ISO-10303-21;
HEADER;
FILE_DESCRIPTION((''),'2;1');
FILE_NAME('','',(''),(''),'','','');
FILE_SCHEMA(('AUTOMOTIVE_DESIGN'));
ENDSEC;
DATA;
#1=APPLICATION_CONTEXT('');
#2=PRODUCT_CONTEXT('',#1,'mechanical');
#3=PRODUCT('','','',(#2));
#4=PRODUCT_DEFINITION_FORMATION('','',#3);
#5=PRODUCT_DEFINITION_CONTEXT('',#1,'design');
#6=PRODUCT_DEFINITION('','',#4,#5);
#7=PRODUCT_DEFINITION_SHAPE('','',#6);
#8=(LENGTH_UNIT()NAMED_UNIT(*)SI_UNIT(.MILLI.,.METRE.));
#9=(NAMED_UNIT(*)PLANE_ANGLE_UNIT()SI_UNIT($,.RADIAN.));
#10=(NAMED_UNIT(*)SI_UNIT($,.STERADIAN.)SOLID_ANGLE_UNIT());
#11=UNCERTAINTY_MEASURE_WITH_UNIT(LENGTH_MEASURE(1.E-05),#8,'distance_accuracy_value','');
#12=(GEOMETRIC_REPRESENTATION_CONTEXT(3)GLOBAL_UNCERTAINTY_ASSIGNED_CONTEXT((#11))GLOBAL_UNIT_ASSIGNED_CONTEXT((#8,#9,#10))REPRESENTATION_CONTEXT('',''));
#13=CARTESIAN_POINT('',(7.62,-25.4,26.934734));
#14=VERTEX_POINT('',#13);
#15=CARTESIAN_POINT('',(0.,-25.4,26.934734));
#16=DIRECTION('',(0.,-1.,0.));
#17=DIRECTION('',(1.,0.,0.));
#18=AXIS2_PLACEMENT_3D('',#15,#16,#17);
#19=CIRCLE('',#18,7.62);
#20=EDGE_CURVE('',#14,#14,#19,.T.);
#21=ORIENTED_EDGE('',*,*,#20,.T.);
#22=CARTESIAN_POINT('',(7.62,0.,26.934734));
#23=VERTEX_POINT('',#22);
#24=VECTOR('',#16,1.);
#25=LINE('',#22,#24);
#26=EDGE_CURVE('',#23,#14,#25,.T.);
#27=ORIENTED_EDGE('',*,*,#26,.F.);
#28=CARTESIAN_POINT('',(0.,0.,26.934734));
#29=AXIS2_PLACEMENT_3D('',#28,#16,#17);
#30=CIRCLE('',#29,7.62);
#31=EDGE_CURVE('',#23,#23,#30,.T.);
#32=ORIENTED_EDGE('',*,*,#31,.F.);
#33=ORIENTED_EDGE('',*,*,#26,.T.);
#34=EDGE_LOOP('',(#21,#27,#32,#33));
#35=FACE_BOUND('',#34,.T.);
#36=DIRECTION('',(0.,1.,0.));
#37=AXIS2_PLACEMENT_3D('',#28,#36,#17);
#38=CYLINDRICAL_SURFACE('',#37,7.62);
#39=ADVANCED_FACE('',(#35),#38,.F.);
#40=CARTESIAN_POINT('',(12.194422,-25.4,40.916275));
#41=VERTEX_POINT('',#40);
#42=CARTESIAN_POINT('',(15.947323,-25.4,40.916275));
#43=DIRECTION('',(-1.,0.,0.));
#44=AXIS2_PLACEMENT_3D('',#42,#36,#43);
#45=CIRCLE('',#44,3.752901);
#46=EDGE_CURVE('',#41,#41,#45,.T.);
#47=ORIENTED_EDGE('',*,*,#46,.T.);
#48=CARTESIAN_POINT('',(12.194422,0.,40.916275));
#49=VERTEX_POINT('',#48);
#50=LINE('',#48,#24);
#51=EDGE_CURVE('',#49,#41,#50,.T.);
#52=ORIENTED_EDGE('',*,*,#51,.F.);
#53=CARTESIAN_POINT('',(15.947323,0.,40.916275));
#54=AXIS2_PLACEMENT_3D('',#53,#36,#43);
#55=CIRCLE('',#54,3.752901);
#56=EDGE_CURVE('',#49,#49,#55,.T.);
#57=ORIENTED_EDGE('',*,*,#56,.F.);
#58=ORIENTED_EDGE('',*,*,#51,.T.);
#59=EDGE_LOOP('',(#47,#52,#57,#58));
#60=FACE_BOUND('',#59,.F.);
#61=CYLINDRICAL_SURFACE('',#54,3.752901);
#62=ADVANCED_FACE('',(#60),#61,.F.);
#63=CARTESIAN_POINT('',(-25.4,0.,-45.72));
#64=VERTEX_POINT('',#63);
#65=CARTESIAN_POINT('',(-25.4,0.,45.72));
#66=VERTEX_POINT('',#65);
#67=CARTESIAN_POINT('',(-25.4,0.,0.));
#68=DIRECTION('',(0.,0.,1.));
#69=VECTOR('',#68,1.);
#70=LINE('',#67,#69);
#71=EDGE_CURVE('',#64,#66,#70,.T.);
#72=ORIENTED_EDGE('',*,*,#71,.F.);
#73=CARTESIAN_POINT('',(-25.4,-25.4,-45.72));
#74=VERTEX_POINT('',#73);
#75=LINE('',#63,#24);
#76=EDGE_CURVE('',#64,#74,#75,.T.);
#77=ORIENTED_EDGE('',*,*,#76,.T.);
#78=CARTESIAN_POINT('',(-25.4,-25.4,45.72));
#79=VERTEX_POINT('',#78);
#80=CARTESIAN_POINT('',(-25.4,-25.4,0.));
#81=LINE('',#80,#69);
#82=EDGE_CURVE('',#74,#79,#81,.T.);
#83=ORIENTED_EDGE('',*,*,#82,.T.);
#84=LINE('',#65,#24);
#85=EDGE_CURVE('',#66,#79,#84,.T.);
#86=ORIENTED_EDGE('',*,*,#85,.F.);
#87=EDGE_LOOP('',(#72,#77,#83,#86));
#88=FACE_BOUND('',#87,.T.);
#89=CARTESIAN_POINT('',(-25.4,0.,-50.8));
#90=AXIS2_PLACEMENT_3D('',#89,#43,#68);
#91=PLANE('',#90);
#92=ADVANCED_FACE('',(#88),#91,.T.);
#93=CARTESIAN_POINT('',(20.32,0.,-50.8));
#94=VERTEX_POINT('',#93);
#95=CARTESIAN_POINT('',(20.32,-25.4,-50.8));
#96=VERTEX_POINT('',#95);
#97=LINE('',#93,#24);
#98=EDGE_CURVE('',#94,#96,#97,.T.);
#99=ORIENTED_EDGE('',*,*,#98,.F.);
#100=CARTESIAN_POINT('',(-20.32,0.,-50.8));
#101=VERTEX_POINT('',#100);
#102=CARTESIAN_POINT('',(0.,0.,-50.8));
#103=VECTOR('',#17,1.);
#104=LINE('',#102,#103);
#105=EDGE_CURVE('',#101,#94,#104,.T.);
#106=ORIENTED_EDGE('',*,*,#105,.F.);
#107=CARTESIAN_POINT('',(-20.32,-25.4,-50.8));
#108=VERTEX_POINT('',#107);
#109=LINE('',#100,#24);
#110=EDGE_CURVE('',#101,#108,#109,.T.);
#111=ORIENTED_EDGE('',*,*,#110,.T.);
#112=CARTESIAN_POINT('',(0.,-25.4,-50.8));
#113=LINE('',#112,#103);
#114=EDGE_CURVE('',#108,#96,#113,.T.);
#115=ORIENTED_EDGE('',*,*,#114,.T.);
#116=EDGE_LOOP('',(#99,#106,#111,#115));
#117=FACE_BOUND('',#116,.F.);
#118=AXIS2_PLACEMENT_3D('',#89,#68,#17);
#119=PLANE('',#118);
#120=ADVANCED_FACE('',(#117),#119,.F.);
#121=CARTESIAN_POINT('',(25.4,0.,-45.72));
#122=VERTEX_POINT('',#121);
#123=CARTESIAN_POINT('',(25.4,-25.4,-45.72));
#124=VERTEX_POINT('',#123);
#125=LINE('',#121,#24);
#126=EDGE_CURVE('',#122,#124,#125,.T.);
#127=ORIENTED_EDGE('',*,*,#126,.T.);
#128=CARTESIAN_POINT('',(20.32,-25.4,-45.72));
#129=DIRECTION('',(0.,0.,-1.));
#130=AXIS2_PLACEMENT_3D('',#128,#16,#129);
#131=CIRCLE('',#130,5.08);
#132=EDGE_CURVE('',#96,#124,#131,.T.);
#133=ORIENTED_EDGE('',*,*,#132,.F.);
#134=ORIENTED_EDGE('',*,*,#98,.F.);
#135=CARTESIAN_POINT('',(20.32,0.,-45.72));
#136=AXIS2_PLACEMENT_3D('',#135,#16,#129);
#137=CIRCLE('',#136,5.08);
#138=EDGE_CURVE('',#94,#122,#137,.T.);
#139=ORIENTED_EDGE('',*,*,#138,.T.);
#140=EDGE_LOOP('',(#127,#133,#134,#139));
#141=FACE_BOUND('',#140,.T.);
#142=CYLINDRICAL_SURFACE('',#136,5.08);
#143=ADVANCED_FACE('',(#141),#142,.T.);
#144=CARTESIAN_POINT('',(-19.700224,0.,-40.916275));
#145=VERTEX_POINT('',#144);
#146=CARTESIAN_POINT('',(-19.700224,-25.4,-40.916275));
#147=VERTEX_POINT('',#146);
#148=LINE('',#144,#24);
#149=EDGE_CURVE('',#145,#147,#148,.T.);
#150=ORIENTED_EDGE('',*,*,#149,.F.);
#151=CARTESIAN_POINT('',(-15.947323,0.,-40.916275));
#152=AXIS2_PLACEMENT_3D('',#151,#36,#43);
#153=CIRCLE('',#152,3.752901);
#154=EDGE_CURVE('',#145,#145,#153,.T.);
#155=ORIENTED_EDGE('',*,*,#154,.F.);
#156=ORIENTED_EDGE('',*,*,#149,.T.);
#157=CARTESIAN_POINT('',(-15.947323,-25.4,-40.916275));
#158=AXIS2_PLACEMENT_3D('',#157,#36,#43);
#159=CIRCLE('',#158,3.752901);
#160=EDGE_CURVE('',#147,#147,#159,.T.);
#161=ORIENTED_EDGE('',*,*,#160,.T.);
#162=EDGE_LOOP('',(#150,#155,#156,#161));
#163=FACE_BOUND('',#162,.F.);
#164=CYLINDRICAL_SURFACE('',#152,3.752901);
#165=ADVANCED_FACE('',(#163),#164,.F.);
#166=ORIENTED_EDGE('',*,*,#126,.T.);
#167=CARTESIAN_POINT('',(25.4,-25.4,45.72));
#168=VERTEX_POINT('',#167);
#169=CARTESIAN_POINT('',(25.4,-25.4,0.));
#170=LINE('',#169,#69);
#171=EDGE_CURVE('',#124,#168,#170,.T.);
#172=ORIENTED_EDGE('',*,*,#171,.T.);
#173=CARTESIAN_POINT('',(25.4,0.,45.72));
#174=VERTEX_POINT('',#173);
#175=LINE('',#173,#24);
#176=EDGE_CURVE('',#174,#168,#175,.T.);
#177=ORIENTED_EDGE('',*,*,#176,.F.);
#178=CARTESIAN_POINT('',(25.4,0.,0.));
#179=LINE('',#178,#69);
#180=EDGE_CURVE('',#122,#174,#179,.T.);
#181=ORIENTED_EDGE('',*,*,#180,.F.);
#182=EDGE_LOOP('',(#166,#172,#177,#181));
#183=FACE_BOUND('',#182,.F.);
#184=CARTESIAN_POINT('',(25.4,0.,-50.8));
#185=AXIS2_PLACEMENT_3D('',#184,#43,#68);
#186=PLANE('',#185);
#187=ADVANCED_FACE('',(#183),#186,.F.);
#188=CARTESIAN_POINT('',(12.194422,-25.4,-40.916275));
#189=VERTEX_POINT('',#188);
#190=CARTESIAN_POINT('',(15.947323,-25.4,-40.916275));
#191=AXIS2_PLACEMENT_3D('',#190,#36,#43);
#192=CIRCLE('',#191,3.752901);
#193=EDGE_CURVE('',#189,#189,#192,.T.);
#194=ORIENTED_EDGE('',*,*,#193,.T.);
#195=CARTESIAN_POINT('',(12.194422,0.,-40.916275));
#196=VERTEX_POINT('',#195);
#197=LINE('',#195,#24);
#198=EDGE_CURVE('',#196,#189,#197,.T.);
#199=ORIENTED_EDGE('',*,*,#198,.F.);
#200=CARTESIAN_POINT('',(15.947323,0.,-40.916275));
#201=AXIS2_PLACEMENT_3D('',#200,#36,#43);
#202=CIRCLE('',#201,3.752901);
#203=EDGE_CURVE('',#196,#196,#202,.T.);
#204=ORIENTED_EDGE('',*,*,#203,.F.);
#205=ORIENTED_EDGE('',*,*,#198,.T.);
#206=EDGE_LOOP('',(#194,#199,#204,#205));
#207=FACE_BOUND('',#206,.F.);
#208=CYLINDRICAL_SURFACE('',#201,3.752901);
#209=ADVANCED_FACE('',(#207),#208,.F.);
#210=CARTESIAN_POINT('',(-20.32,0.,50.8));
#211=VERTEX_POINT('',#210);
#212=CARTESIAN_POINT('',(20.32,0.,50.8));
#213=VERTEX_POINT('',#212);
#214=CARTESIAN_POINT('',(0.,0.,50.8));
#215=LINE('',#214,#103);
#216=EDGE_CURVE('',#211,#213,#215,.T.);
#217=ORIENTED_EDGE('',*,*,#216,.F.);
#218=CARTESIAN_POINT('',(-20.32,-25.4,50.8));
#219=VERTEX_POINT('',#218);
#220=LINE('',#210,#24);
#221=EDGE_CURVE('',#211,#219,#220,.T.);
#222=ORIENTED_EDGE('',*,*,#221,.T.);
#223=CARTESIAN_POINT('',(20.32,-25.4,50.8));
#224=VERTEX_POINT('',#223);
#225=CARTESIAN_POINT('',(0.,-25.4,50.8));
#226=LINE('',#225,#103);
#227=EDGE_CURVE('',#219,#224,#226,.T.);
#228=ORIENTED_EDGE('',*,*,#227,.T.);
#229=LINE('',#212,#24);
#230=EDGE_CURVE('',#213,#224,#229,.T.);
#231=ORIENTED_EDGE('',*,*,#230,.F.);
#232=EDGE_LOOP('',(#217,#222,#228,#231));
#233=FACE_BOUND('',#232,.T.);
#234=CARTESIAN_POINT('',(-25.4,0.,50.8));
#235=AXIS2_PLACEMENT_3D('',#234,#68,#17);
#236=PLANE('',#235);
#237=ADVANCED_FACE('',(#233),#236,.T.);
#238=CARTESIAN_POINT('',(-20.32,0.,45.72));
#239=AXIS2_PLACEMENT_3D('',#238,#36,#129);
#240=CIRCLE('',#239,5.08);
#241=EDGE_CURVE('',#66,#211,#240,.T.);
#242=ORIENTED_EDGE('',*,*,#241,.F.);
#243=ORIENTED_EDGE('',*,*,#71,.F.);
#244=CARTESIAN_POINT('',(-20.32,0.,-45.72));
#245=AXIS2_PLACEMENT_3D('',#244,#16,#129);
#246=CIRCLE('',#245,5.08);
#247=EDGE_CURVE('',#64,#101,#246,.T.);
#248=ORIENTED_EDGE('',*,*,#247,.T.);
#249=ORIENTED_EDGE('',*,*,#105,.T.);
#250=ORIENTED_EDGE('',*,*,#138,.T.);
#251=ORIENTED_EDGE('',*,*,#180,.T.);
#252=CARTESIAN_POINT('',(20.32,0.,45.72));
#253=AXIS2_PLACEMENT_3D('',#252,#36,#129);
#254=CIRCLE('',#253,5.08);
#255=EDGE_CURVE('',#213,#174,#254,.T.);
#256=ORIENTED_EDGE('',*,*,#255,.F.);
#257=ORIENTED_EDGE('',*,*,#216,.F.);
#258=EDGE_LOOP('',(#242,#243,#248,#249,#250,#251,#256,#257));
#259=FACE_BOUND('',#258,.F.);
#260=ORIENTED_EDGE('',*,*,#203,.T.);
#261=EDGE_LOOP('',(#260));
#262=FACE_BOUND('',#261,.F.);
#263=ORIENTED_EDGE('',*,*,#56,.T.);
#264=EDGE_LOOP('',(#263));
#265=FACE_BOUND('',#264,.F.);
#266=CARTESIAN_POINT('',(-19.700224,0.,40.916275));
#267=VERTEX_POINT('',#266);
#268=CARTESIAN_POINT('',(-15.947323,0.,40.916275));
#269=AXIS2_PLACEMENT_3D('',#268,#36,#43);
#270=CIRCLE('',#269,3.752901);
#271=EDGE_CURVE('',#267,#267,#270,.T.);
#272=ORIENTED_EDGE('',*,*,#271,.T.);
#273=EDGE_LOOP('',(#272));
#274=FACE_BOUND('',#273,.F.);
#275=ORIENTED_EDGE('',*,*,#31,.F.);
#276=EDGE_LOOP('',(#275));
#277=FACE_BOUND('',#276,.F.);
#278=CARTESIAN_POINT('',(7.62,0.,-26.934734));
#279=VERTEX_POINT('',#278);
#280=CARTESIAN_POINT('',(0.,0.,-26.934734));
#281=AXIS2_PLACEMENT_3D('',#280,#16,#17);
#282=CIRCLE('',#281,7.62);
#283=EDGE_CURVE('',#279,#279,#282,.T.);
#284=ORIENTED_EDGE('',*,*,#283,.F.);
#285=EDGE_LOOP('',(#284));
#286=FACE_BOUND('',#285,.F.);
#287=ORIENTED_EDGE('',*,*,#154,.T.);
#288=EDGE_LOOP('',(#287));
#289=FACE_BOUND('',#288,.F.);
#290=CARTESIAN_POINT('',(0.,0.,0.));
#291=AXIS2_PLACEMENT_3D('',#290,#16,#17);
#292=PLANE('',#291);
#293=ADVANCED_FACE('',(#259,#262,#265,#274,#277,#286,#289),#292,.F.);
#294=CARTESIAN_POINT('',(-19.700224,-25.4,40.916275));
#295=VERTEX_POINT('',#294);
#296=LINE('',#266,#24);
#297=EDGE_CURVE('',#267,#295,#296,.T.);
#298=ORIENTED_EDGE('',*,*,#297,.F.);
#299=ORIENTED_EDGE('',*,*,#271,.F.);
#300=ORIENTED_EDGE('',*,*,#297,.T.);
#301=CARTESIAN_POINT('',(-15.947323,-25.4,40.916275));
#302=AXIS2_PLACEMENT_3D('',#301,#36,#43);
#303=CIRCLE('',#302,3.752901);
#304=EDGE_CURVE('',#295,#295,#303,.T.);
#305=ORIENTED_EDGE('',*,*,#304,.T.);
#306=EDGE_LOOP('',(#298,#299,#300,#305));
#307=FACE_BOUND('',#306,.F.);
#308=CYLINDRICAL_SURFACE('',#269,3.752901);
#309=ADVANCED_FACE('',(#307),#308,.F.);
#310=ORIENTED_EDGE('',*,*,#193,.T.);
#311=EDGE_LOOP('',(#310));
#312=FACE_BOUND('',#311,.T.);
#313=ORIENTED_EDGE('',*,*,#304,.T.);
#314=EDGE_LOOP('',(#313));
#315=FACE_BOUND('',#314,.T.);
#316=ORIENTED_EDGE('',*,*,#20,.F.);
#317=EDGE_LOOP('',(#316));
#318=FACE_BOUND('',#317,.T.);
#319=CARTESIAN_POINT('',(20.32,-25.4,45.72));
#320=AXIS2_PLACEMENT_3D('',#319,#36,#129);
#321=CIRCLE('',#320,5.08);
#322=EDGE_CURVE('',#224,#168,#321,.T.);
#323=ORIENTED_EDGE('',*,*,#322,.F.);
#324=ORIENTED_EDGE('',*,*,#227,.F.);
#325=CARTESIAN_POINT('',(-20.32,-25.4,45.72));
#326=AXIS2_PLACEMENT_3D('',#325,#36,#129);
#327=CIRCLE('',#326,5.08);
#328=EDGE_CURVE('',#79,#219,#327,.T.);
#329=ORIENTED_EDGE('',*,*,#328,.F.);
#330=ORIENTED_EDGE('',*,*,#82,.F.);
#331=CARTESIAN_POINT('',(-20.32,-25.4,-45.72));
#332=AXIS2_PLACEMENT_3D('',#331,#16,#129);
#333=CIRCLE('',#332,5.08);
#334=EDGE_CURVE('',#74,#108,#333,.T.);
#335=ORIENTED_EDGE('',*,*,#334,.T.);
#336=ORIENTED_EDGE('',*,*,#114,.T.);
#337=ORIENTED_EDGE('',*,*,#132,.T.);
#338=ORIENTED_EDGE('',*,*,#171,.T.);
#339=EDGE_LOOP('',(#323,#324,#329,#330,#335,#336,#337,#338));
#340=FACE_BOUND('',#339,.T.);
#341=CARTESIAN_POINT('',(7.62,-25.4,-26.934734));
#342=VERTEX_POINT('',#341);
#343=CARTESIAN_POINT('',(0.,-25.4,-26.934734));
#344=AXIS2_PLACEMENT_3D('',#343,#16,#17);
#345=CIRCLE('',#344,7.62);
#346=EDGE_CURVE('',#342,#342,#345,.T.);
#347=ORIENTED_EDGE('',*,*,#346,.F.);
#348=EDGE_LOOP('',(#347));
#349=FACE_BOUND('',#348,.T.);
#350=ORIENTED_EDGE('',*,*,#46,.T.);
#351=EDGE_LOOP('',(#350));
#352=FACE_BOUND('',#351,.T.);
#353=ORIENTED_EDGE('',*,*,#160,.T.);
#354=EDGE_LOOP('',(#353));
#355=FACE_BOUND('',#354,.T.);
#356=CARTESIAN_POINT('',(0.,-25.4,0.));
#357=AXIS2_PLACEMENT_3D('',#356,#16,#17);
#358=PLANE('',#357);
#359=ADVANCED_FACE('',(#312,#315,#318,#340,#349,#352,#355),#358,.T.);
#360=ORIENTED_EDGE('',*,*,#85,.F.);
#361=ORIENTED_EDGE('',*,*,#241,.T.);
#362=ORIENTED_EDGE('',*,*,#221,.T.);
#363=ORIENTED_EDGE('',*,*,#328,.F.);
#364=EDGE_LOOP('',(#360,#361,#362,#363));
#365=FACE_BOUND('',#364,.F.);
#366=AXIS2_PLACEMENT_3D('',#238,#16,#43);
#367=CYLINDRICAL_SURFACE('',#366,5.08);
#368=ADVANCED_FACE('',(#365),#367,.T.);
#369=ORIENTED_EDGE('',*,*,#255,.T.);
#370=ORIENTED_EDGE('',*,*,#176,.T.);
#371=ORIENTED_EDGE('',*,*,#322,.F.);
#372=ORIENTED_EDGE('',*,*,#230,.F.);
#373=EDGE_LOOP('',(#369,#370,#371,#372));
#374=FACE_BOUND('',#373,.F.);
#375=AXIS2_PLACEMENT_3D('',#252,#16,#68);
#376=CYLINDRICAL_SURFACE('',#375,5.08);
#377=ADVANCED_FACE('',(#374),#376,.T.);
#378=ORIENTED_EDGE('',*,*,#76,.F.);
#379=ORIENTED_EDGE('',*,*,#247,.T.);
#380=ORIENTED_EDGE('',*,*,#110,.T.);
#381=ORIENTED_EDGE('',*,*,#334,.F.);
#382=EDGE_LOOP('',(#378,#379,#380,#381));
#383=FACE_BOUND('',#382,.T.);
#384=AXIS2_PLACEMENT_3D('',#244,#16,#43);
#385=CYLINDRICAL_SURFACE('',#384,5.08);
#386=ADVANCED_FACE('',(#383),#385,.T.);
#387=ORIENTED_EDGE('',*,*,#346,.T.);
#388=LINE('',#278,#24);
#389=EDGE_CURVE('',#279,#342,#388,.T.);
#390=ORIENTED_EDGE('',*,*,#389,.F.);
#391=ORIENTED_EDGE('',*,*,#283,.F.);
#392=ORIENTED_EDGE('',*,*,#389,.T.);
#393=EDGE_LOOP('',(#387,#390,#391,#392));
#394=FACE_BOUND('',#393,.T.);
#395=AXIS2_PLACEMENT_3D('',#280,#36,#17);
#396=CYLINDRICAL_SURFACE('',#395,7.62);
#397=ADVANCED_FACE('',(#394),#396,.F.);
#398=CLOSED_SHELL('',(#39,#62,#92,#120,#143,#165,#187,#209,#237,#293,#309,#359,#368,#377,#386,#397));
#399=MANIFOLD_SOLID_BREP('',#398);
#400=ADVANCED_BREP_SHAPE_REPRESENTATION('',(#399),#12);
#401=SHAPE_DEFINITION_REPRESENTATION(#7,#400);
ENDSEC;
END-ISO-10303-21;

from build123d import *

# Parameters (mm, degrees)
F0_W     = 50.8
F0_H     = 101.6
F0_R     = 7.62
F1_DEPTH = 25.4
F2_R     = 5.08
F3_R     = 3.752901
F4_DEPTH = 25.4


with BuildPart() as f1:
    # F0 (on Front) → F1 (new body)
    with BuildSketch(Plane.XZ):
        Rectangle(F0_W, F0_H)
        with Locations((0, -26.934734)):
            Circle(F0_R, mode=Mode.SUBTRACT)
        with Locations((0, 26.934734)):
            Circle(F0_R, mode=Mode.SUBTRACT)
    extrude(amount=F1_DEPTH)

    # F2
    f2_edges = [f1.edges().sort_by_distance(p)[0] for p in [
        (25.4, -12.7, -50.8),
        (25.4, -12.7, 50.8),
        (-25.4, -12.7, 50.8),
        (-25.4, -12.7, -50.8),
    ]]
    fillet(f2_edges, radius=F2_R)

    # F3 (on face) → F4 (cut)
    with BuildSketch(Plane(origin=(0, 0, 0), x_dir=(-1, 0, 0), z_dir=(0, 1, 0))):
        with Locations((-15.947323, 40.916275)):
            Circle(F3_R)
        with Locations((15.947323, 40.916275)):
            Circle(F3_R)
        with Locations((15.947323, -40.916275)):
            Circle(F3_R)
        with Locations((-15.947323, -40.916275)):
            Circle(F3_R)
    extrude(amount=-F4_DEPTH, mode=Mode.SUBTRACT)


solid = f1.part
